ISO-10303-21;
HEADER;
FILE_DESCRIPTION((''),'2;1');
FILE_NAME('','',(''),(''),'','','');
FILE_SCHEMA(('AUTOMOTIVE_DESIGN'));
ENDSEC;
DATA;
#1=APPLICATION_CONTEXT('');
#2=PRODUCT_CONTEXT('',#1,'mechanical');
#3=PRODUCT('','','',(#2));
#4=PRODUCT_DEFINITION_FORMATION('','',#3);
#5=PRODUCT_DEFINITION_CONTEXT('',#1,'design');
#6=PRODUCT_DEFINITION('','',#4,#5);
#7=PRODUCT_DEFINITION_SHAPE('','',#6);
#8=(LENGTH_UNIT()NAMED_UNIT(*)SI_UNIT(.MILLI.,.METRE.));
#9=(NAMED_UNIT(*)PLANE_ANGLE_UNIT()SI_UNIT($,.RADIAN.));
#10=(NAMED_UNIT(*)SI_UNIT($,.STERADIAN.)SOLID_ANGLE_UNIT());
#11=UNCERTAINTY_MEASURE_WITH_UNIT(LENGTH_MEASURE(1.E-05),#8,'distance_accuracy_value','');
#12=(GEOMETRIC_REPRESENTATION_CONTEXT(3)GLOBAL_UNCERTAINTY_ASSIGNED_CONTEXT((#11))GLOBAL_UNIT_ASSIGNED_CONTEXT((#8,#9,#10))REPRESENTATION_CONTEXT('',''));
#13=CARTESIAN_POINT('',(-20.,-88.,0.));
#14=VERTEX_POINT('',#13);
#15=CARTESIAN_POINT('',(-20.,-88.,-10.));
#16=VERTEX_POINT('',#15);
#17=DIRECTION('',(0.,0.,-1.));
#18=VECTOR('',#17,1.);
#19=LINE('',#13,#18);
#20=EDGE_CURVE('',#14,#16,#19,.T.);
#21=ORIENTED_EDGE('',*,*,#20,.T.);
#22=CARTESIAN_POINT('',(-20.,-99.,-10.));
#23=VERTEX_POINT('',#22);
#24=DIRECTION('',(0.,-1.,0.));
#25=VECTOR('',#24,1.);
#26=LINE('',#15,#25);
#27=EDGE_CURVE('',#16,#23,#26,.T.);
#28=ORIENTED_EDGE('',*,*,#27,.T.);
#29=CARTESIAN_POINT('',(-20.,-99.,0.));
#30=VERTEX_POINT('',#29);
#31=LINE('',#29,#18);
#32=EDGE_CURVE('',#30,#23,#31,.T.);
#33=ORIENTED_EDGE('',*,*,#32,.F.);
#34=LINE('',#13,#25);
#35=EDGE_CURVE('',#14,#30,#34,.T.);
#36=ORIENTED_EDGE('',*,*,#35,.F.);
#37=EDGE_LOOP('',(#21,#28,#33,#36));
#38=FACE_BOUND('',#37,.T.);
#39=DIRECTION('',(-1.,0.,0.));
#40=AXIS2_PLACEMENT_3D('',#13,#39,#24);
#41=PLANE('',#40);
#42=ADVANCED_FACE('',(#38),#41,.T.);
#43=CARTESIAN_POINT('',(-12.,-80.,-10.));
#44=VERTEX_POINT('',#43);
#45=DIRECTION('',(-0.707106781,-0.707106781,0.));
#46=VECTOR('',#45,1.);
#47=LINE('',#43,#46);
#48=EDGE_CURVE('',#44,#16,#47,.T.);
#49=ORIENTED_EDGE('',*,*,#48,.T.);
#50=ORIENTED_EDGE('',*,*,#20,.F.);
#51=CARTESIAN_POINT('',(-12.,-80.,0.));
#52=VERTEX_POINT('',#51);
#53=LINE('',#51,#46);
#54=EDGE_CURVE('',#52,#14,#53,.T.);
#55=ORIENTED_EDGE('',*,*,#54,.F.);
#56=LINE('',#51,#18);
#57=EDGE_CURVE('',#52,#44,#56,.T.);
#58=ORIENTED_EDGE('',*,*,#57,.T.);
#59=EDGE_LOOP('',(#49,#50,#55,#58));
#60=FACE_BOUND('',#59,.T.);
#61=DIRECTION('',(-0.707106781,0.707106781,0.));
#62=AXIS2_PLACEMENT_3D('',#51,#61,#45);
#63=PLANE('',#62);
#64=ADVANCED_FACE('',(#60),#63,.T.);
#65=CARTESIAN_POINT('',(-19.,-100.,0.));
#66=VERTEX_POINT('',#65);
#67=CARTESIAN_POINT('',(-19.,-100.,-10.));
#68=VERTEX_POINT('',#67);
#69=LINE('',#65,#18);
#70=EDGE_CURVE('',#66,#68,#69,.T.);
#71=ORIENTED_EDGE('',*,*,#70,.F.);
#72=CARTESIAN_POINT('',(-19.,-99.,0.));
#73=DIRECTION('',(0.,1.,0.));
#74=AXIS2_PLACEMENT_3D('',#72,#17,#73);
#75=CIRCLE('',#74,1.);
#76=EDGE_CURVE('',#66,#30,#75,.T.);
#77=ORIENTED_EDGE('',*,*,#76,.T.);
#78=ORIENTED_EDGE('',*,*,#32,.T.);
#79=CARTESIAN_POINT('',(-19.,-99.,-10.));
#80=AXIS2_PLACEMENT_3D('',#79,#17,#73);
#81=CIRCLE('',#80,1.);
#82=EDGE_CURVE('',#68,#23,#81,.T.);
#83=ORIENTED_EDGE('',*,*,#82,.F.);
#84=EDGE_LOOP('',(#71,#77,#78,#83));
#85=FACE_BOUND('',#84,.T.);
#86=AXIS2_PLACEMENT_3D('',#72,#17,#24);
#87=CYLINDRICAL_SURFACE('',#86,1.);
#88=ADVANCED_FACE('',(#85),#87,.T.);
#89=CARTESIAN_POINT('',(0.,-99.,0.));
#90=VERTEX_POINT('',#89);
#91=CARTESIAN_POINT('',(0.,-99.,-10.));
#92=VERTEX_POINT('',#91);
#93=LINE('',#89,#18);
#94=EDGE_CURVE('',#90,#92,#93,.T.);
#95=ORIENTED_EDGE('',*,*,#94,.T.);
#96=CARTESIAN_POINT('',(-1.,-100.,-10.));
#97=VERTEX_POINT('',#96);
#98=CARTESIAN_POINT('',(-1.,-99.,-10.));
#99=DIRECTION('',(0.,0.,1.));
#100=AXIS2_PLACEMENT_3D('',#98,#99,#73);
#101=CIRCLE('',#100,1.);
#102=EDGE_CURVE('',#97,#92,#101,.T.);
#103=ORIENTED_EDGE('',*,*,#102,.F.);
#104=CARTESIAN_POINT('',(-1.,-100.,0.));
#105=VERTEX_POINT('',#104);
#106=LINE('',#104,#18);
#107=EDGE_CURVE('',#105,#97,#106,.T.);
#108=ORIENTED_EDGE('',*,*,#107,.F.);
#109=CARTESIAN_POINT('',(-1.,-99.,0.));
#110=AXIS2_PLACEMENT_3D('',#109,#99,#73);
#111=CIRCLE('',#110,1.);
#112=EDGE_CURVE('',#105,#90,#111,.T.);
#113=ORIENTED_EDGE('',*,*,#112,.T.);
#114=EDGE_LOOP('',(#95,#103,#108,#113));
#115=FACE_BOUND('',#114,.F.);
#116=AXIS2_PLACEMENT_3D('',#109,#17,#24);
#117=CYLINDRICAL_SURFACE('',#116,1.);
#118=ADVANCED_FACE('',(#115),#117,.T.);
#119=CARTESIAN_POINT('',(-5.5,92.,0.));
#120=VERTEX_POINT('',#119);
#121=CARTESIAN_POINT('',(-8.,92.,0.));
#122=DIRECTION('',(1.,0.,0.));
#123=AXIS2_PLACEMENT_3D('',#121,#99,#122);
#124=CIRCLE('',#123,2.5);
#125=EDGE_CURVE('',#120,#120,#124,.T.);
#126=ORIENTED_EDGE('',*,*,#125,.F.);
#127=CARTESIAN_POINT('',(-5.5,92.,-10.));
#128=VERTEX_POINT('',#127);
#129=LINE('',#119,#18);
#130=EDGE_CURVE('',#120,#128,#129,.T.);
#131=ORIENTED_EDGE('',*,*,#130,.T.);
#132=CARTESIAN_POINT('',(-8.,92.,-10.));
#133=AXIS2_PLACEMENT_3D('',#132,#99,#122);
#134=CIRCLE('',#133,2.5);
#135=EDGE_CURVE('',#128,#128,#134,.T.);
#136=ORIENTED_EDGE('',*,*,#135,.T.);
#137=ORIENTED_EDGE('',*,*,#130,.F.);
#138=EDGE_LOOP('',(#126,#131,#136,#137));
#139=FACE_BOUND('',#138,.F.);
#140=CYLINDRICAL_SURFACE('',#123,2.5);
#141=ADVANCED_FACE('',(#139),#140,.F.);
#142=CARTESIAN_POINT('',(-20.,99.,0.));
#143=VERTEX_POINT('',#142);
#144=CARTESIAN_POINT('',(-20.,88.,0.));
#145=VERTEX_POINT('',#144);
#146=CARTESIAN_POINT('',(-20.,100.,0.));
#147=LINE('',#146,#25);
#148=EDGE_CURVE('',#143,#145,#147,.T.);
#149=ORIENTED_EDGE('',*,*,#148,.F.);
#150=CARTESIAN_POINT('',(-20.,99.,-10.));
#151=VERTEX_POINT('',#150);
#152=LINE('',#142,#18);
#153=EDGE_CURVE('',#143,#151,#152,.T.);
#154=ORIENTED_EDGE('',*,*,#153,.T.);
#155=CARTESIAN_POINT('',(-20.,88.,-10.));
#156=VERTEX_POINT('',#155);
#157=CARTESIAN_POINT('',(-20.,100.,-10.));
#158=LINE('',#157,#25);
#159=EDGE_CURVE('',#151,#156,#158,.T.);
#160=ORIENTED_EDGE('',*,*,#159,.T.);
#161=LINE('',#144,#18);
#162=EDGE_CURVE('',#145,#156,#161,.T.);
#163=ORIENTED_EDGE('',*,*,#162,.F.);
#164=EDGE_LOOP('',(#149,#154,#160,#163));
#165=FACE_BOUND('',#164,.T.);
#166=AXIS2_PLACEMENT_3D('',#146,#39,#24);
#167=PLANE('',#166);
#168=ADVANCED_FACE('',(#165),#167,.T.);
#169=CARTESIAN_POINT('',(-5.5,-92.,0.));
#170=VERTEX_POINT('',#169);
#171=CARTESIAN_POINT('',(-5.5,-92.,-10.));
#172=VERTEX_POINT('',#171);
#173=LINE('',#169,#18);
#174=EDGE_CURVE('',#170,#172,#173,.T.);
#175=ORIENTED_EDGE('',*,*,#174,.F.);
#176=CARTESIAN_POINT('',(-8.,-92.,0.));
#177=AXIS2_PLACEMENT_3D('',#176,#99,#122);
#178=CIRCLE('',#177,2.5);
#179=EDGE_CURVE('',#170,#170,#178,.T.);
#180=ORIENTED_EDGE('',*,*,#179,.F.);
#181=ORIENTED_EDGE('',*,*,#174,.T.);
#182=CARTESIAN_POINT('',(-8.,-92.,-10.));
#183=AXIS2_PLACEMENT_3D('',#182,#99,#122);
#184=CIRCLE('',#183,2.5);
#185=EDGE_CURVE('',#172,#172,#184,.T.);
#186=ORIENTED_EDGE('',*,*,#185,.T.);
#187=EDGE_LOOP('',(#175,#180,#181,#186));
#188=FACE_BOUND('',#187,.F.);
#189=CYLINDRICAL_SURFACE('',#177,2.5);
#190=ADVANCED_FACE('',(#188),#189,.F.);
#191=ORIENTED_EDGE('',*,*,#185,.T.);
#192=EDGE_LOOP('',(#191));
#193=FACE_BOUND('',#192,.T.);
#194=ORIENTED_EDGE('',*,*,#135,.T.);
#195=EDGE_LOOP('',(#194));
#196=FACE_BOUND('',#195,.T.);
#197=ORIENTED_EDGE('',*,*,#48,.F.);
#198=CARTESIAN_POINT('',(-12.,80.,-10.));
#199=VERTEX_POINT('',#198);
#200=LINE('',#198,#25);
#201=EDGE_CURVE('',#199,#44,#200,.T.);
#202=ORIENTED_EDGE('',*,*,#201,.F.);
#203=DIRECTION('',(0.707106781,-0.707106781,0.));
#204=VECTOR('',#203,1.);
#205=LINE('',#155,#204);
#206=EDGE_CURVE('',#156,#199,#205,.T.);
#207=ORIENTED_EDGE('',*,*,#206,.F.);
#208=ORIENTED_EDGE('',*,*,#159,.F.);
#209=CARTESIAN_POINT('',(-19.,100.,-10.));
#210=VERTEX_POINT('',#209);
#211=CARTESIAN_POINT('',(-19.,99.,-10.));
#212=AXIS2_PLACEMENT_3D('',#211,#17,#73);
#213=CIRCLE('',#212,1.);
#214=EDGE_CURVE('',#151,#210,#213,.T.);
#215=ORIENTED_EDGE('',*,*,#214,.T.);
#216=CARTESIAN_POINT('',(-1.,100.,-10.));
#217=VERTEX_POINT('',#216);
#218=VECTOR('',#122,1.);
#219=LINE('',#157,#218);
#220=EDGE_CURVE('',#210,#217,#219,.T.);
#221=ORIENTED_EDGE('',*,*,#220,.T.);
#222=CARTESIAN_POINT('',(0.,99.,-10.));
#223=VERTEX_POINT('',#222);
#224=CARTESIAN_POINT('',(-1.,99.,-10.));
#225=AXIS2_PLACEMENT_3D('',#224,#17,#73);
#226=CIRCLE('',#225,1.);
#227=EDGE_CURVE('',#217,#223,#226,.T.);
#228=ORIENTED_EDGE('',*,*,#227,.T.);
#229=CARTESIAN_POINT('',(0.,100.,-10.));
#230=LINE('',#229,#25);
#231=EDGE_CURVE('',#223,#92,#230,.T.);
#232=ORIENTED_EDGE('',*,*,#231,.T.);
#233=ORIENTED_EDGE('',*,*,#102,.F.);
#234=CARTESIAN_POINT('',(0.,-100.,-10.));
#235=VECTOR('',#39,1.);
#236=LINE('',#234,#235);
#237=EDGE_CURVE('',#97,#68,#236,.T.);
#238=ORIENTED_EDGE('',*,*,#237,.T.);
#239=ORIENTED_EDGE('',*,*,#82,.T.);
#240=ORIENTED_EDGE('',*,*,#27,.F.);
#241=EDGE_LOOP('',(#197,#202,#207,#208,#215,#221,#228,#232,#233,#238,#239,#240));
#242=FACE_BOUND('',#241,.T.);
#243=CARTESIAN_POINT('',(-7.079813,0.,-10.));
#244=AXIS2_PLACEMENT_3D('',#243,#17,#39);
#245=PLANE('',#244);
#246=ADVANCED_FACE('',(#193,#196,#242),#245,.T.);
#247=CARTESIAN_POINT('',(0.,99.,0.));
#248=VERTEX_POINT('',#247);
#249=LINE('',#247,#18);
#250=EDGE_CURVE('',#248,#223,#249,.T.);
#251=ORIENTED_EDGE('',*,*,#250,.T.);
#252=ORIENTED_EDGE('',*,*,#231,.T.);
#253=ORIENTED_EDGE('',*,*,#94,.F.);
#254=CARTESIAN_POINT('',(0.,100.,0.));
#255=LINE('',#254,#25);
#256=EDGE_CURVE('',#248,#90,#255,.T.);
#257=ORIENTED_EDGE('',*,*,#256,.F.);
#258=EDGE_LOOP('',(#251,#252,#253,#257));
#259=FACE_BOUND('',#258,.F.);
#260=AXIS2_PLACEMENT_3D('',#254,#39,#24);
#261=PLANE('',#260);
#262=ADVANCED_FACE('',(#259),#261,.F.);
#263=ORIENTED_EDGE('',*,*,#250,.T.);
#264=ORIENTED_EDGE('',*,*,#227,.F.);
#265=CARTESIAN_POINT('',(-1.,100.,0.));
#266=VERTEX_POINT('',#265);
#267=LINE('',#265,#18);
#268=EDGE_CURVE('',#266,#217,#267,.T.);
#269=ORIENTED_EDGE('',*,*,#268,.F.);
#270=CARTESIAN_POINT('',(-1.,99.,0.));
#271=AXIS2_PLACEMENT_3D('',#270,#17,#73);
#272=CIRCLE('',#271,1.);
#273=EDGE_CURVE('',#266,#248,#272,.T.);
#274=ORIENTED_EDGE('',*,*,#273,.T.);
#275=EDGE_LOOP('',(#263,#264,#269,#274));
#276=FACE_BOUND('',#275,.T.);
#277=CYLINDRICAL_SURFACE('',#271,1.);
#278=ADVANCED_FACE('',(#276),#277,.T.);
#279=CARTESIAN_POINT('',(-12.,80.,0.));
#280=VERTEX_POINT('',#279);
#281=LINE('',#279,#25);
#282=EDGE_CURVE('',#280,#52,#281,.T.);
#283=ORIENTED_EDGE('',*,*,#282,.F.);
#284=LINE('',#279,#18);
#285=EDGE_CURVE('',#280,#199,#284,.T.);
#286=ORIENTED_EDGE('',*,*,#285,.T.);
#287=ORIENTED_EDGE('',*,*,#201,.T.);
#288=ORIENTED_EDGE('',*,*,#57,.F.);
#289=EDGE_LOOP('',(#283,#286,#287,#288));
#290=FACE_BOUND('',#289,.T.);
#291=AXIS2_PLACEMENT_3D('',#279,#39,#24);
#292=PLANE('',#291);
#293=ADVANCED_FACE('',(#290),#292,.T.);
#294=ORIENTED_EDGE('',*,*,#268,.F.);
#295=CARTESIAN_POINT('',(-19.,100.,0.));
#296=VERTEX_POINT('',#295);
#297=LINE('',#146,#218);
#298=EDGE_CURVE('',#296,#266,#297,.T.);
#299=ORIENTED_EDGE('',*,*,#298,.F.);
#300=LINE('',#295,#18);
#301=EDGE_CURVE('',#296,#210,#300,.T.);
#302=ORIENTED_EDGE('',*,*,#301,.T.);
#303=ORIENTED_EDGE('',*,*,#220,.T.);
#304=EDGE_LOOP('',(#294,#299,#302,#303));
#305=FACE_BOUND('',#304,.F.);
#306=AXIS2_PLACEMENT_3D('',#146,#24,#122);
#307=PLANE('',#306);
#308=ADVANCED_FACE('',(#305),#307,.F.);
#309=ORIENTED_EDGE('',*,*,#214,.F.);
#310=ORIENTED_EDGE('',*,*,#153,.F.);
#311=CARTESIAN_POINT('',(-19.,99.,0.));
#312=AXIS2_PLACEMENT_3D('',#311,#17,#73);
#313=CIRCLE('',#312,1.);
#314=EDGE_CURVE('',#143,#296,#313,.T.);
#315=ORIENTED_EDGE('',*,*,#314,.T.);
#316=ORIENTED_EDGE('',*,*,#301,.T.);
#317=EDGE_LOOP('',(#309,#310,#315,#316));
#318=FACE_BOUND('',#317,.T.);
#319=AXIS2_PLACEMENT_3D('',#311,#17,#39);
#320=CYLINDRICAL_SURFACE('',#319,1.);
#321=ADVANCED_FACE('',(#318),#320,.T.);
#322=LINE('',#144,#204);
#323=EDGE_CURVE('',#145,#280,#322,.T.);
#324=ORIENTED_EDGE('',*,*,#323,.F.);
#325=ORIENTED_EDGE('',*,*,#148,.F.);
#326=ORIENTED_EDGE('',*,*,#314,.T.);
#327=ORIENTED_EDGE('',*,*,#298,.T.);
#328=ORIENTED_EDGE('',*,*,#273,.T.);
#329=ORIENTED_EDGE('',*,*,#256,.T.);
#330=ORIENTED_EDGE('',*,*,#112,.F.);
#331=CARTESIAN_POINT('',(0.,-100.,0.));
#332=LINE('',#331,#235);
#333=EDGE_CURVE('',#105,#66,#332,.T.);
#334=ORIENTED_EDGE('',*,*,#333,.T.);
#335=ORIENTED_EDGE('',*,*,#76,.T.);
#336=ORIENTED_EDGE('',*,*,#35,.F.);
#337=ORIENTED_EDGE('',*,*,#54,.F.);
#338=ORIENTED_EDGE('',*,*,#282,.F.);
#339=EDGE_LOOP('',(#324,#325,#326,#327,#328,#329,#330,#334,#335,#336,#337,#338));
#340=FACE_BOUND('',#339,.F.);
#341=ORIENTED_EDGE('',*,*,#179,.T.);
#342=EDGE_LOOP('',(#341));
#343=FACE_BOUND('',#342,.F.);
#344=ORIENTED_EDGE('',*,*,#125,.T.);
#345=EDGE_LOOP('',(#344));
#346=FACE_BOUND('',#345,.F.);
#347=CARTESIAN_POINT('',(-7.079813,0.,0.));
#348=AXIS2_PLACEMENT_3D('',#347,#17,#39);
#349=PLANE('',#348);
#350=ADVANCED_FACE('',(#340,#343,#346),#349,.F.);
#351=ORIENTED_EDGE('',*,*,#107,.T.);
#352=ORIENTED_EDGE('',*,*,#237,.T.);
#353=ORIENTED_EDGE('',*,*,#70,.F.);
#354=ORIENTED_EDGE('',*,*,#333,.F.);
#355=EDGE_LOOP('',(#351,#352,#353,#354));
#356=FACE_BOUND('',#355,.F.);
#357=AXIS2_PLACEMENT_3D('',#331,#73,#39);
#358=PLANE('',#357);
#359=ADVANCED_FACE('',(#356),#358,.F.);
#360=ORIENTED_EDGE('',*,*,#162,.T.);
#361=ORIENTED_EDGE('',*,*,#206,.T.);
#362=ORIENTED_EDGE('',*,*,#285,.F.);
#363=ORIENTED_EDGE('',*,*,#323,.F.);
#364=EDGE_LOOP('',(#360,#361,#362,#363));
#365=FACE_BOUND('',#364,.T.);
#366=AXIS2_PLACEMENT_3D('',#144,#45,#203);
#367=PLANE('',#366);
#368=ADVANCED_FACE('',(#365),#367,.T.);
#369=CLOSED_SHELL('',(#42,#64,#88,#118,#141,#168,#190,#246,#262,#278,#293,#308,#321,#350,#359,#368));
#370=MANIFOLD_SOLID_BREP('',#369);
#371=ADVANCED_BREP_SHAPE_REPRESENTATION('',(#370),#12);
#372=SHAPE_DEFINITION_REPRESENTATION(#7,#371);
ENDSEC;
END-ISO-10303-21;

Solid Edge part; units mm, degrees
sketch "Sketch1" plane through (0, 0, 0) normal (0, 0, 1) x (1, 0, 0)
  line L0 (0, -100) -> (-20, -100)
  line L1 (-20, -88) -> (-20, -100)
  line L2 (-12, -80) -> (-20, -88)
  line L3 (-12, 80) -> (-12, -80)
  line L4 (-20, 88) -> (-12, 80)
  line L5 (-20, 100) -> (-20, 88)
  line L6 (-20, 100) -> (0, 100)
  line L7 (0, 100) -> (0, -100)
  circle A0 centre (-8, 92) radius 2.5
  circle A1 centre (-8, -92) radius 2.5
  dimension "D1" = 200
  dimension "D2" = 5
  dimension "D3" = 8
  dimension "D4" = 8
  dimension "D5" = 8
  dimension "D6" = 12
  dimension "D7" = 20
  dimension "D8" = 12
extrude "Protrusion1" add sketch "Sketch1" against normal blind 10
fillet "Round_1" radius 1 4 edges at (0, -100, -5) (-20, -100, -5) (0, 100, -5) (-20, 100, -5)
